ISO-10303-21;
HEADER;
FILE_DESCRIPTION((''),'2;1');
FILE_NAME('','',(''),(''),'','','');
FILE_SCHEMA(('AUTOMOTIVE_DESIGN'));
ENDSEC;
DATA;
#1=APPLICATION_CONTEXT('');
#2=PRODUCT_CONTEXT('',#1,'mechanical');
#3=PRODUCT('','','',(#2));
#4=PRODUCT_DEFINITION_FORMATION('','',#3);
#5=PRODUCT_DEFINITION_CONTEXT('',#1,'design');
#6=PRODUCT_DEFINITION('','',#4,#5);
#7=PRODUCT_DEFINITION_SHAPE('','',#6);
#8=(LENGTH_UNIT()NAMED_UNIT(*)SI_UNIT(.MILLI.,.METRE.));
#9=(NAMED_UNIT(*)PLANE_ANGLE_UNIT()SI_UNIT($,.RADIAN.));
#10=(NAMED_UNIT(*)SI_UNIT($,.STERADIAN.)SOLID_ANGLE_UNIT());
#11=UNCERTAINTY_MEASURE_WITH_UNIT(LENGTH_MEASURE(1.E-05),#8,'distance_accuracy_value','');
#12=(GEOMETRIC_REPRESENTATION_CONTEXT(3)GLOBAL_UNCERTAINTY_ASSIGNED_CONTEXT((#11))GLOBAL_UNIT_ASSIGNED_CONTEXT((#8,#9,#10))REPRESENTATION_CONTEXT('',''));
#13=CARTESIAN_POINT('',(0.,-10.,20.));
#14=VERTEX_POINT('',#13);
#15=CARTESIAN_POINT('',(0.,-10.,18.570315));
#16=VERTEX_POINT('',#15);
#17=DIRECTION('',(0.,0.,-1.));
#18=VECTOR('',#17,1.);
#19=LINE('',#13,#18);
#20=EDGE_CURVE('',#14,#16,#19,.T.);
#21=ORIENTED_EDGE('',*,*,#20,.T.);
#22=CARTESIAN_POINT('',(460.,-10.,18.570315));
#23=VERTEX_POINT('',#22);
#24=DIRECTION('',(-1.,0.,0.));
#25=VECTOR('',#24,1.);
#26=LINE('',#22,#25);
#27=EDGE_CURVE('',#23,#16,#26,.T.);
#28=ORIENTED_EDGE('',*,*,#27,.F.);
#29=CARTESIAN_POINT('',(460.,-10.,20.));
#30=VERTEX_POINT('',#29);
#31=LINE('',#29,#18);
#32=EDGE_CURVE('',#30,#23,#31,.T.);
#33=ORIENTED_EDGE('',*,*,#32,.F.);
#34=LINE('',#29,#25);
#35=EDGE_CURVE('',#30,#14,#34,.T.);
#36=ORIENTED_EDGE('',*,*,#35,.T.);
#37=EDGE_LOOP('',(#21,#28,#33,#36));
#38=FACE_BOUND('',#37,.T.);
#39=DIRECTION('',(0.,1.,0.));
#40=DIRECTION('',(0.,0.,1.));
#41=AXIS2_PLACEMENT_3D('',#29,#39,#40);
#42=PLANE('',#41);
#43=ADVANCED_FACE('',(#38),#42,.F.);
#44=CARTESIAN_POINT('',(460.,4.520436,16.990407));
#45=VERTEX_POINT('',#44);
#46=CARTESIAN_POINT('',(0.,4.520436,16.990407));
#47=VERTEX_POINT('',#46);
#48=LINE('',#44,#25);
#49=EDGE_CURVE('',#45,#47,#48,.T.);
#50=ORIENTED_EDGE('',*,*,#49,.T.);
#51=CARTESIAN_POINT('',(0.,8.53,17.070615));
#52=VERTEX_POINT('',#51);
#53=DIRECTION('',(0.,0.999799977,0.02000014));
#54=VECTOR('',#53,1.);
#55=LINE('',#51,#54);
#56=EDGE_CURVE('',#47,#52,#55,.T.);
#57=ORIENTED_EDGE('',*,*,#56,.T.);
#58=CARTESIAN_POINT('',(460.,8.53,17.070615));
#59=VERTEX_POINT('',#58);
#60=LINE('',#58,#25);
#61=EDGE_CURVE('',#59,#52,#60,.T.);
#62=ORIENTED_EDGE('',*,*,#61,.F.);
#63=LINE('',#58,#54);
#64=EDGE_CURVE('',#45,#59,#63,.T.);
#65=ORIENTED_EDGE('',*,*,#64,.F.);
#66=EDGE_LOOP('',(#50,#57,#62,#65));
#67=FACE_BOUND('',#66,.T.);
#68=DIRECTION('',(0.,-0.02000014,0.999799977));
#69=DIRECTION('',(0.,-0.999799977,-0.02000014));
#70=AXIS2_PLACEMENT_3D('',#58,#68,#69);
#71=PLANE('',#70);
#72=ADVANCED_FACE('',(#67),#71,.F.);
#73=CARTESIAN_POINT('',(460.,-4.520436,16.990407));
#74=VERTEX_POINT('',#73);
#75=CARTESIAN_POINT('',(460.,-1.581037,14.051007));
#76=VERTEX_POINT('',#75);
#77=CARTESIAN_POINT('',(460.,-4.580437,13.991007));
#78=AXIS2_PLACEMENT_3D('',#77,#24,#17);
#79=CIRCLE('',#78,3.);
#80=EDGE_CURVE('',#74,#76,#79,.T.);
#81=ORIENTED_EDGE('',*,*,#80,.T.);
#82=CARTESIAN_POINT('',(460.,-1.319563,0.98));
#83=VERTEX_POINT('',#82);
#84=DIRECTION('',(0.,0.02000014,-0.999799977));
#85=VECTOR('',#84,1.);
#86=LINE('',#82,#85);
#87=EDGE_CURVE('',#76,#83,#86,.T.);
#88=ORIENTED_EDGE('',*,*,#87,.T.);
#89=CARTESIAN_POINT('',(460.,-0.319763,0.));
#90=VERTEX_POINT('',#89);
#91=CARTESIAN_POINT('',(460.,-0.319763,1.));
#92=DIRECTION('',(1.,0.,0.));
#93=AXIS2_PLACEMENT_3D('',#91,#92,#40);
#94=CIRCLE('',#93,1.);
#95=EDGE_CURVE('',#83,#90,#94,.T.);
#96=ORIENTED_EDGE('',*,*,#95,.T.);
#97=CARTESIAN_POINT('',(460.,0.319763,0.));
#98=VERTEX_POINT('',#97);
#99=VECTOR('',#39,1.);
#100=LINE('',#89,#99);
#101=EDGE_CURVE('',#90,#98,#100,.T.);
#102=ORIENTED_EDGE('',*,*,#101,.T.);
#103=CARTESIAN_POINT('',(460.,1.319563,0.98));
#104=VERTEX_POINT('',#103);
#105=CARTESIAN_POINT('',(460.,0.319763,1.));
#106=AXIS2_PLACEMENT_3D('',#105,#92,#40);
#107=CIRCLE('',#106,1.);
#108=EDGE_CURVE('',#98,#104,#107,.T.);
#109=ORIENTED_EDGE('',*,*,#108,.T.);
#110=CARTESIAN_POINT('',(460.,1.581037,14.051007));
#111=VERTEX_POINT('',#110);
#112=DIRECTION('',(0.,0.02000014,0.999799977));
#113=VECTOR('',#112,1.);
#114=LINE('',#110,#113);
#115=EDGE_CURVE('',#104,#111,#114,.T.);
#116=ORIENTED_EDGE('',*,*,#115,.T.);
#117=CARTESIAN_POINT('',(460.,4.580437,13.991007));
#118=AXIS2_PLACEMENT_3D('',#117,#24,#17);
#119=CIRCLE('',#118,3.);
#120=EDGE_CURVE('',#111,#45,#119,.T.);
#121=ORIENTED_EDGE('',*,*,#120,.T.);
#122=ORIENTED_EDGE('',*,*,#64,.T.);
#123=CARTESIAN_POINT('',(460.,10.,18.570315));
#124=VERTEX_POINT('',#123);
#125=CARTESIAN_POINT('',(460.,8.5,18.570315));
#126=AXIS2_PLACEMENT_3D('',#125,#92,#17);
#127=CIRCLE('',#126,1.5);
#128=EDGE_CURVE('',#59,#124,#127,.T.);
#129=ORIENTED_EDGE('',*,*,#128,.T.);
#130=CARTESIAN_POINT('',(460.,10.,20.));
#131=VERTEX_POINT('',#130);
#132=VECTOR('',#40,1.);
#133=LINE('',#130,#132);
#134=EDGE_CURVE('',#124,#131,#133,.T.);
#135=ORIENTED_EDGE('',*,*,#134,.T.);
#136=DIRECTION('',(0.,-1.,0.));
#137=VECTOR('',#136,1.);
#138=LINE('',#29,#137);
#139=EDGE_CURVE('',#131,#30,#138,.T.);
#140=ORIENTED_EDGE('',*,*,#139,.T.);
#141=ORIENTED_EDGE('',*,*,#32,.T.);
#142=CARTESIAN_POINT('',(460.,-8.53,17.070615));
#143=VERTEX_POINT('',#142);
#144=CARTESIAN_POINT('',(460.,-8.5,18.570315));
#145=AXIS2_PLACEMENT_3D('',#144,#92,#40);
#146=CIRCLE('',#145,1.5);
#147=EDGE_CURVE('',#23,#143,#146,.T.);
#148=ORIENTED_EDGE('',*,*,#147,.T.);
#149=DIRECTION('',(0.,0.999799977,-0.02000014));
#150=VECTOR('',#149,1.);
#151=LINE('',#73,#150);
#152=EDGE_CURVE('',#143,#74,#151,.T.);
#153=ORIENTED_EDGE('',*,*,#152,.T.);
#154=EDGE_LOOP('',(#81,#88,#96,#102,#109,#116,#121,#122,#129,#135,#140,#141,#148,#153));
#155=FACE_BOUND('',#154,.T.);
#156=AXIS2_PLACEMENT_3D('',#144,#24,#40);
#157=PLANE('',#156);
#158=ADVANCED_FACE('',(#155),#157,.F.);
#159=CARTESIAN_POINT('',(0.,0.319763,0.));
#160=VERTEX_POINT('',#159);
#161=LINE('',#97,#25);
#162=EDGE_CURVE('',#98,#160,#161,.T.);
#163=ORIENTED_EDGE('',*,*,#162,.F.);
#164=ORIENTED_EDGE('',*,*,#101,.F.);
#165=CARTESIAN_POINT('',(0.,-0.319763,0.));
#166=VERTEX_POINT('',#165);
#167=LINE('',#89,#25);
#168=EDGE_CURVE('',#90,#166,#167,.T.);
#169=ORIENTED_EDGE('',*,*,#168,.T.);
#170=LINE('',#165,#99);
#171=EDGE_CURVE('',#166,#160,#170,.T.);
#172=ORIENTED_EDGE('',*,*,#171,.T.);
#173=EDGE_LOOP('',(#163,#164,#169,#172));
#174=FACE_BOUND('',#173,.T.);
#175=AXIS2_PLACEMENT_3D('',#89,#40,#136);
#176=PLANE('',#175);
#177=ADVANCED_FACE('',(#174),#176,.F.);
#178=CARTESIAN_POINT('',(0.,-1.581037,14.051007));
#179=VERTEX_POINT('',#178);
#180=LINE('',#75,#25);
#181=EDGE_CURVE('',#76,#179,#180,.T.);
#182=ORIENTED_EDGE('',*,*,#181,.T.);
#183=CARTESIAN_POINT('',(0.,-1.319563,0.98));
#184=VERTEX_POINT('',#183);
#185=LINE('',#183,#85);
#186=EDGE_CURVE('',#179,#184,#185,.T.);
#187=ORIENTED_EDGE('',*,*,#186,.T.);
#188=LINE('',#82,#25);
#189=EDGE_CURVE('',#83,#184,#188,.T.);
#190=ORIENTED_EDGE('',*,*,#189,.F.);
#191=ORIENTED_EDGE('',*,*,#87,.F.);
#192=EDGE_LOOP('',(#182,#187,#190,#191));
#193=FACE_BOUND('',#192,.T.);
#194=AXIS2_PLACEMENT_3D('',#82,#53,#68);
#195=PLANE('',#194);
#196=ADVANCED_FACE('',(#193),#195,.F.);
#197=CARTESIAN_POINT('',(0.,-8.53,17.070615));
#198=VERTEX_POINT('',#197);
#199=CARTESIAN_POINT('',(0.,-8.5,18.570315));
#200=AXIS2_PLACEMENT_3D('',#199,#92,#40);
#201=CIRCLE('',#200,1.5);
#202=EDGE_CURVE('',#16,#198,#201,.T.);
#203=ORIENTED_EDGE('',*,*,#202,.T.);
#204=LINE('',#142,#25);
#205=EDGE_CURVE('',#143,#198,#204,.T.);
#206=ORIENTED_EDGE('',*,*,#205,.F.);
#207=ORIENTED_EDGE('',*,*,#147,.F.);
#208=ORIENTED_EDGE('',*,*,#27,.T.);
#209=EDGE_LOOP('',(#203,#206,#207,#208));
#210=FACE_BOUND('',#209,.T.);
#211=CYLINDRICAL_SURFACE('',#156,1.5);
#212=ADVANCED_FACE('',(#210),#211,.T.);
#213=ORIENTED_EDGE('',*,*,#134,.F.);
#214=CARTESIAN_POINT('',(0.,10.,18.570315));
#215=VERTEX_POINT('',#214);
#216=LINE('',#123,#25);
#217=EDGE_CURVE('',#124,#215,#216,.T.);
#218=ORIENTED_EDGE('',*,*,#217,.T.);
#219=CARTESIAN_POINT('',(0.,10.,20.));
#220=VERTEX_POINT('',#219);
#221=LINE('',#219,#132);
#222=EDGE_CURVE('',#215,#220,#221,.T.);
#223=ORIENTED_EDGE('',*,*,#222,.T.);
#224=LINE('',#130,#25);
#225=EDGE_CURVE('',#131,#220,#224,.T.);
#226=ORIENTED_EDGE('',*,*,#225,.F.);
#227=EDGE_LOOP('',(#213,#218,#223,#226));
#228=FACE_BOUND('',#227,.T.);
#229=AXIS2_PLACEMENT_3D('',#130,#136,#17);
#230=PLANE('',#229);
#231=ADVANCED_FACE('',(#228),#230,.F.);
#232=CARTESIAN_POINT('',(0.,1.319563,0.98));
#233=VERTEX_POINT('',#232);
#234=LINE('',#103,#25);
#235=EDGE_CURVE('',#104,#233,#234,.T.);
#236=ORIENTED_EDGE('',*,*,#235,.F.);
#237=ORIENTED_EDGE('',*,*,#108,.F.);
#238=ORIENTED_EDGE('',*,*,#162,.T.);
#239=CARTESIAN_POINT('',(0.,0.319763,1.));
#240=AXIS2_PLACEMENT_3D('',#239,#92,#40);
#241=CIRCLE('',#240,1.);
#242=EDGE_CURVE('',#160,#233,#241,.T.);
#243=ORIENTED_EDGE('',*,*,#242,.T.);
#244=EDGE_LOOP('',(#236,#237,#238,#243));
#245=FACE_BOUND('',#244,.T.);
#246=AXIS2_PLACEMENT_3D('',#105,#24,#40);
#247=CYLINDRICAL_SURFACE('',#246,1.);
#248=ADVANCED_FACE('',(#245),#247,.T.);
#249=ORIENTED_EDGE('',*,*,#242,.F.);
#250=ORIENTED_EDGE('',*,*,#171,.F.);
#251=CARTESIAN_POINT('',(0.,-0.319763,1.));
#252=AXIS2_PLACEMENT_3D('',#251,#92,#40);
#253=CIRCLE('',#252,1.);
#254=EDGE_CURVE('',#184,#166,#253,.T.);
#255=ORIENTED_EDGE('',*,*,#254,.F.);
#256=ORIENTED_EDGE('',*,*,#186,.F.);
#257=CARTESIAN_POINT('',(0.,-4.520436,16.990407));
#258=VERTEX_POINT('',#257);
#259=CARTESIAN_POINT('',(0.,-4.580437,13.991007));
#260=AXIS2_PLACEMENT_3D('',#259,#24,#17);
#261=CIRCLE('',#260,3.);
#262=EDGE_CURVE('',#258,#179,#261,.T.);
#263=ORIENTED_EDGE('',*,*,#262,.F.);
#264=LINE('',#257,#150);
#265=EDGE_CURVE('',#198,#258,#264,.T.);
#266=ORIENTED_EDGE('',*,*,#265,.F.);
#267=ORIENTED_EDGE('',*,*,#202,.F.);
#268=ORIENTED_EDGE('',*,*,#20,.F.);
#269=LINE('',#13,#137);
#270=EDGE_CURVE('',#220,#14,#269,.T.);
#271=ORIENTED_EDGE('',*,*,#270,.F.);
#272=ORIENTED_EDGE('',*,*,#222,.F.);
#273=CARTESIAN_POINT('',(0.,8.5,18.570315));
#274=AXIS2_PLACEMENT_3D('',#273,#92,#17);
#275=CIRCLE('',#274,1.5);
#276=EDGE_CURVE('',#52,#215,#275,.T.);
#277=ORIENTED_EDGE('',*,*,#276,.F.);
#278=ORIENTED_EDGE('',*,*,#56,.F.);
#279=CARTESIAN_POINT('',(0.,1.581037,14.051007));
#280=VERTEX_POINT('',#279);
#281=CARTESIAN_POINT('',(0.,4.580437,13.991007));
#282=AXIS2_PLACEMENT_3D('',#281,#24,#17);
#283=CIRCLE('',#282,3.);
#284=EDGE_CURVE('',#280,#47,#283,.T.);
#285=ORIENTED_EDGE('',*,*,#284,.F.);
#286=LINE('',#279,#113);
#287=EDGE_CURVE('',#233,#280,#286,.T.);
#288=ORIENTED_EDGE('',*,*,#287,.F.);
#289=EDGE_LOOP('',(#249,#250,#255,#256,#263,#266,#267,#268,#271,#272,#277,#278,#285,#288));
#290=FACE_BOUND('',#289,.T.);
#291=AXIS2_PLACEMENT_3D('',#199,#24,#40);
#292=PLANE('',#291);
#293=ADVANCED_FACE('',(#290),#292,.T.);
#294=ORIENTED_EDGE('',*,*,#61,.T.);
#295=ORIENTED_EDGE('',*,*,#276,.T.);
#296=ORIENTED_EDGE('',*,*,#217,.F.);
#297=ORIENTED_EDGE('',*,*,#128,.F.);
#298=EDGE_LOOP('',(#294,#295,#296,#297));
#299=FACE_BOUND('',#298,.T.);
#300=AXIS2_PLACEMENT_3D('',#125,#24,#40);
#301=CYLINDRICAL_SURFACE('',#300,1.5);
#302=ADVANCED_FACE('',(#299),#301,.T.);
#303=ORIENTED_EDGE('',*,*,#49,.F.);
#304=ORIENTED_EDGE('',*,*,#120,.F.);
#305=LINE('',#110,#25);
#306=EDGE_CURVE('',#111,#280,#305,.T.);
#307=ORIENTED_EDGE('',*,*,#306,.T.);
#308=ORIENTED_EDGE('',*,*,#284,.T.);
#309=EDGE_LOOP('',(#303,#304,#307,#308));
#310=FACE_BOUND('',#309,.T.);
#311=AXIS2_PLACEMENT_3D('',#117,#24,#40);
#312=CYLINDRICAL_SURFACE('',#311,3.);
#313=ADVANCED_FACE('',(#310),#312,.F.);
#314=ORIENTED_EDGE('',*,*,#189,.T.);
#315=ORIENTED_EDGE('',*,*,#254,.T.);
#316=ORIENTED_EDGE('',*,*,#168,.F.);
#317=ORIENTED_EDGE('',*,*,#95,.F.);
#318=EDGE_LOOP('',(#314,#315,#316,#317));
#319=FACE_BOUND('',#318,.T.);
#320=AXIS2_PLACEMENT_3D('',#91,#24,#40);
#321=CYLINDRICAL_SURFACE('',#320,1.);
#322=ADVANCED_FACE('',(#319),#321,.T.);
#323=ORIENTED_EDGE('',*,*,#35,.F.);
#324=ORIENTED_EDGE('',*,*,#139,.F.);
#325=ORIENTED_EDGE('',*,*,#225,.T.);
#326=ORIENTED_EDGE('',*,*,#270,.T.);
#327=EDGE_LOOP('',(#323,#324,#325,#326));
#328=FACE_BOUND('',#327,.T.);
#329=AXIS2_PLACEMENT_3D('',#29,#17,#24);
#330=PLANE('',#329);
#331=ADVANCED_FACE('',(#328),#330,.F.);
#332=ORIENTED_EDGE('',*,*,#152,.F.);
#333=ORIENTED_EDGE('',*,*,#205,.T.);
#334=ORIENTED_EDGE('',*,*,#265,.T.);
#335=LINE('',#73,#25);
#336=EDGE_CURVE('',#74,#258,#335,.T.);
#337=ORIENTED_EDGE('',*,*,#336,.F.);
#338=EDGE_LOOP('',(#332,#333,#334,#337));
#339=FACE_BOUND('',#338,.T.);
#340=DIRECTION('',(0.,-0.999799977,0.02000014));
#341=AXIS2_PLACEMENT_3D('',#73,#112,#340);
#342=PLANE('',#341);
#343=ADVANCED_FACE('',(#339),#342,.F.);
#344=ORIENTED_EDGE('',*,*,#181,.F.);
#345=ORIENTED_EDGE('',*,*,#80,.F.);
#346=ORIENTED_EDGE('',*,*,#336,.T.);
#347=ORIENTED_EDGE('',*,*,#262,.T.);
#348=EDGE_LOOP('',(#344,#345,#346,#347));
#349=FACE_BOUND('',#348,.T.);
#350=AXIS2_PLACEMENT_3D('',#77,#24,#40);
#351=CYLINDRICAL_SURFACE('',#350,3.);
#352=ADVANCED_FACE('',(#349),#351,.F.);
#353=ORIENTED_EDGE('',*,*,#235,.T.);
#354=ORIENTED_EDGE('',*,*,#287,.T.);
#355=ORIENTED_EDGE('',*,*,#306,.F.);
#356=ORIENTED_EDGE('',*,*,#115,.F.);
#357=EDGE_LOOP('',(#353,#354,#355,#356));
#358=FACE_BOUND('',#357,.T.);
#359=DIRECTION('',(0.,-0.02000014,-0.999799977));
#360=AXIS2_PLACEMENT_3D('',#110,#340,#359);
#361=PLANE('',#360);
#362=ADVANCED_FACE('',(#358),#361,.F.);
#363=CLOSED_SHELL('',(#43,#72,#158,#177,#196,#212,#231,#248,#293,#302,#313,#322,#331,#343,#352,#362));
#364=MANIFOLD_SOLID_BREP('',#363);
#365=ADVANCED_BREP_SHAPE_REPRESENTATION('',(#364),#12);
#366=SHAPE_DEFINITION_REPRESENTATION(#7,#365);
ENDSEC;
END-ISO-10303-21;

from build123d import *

# Parameters (mm, degrees)
T_SECTION_T_20_X_20_1_DEPTH = 460


with BuildPart() as part:
    # Sketch12 → T section T 20 X 20(1) (new body)
    with BuildSketch(Plane.YZ):
        with BuildLine():
            Line((-10, 20), (10, 20))
            Line((10, 20), (10, 18.570314587))
            ThreePointArc((10, 18.570314587), (9.571214338, 17.520314662), (8.530000209, 17.070614622))
            Line((8.530000209, 17.070614622), (4.520436432, 16.990406743))
            ThreePointArc((4.520436432, 16.990406743), (2.459116507, 16.112327155), (1.581036919, 14.05100723))
            Line((1.581036919, 14.05100723), (1.319562646, 0.97999986))
            ThreePointArc((1.319562646, 0.97999986), (1.019762619, 0.285857108), (0.319762669, 0))
            Line((0.319762669, 0), (-0.319762669, 0))
            ThreePointArc((-0.319762669, 0), (-1.019762619, 0.285857108), (-1.319562646, 0.97999986))
            Line((-1.319562646, 0.97999986), (-1.581036919, 14.05100723))
            ThreePointArc((-1.581036919, 14.05100723), (-2.459116507, 16.112327155), (-4.520436432, 16.990406743))
            Line((-4.520436432, 16.990406743), (-8.530000209, 17.070614622))
            ThreePointArc((-8.530000209, 17.070614622), (-9.571214338, 17.520314662), (-10, 18.570314587))
            Line((-10, 18.570314587), (-10, 20))
        make_face()
    extrude(amount=T_SECTION_T_20_X_20_1_DEPTH)


solid = part.part
